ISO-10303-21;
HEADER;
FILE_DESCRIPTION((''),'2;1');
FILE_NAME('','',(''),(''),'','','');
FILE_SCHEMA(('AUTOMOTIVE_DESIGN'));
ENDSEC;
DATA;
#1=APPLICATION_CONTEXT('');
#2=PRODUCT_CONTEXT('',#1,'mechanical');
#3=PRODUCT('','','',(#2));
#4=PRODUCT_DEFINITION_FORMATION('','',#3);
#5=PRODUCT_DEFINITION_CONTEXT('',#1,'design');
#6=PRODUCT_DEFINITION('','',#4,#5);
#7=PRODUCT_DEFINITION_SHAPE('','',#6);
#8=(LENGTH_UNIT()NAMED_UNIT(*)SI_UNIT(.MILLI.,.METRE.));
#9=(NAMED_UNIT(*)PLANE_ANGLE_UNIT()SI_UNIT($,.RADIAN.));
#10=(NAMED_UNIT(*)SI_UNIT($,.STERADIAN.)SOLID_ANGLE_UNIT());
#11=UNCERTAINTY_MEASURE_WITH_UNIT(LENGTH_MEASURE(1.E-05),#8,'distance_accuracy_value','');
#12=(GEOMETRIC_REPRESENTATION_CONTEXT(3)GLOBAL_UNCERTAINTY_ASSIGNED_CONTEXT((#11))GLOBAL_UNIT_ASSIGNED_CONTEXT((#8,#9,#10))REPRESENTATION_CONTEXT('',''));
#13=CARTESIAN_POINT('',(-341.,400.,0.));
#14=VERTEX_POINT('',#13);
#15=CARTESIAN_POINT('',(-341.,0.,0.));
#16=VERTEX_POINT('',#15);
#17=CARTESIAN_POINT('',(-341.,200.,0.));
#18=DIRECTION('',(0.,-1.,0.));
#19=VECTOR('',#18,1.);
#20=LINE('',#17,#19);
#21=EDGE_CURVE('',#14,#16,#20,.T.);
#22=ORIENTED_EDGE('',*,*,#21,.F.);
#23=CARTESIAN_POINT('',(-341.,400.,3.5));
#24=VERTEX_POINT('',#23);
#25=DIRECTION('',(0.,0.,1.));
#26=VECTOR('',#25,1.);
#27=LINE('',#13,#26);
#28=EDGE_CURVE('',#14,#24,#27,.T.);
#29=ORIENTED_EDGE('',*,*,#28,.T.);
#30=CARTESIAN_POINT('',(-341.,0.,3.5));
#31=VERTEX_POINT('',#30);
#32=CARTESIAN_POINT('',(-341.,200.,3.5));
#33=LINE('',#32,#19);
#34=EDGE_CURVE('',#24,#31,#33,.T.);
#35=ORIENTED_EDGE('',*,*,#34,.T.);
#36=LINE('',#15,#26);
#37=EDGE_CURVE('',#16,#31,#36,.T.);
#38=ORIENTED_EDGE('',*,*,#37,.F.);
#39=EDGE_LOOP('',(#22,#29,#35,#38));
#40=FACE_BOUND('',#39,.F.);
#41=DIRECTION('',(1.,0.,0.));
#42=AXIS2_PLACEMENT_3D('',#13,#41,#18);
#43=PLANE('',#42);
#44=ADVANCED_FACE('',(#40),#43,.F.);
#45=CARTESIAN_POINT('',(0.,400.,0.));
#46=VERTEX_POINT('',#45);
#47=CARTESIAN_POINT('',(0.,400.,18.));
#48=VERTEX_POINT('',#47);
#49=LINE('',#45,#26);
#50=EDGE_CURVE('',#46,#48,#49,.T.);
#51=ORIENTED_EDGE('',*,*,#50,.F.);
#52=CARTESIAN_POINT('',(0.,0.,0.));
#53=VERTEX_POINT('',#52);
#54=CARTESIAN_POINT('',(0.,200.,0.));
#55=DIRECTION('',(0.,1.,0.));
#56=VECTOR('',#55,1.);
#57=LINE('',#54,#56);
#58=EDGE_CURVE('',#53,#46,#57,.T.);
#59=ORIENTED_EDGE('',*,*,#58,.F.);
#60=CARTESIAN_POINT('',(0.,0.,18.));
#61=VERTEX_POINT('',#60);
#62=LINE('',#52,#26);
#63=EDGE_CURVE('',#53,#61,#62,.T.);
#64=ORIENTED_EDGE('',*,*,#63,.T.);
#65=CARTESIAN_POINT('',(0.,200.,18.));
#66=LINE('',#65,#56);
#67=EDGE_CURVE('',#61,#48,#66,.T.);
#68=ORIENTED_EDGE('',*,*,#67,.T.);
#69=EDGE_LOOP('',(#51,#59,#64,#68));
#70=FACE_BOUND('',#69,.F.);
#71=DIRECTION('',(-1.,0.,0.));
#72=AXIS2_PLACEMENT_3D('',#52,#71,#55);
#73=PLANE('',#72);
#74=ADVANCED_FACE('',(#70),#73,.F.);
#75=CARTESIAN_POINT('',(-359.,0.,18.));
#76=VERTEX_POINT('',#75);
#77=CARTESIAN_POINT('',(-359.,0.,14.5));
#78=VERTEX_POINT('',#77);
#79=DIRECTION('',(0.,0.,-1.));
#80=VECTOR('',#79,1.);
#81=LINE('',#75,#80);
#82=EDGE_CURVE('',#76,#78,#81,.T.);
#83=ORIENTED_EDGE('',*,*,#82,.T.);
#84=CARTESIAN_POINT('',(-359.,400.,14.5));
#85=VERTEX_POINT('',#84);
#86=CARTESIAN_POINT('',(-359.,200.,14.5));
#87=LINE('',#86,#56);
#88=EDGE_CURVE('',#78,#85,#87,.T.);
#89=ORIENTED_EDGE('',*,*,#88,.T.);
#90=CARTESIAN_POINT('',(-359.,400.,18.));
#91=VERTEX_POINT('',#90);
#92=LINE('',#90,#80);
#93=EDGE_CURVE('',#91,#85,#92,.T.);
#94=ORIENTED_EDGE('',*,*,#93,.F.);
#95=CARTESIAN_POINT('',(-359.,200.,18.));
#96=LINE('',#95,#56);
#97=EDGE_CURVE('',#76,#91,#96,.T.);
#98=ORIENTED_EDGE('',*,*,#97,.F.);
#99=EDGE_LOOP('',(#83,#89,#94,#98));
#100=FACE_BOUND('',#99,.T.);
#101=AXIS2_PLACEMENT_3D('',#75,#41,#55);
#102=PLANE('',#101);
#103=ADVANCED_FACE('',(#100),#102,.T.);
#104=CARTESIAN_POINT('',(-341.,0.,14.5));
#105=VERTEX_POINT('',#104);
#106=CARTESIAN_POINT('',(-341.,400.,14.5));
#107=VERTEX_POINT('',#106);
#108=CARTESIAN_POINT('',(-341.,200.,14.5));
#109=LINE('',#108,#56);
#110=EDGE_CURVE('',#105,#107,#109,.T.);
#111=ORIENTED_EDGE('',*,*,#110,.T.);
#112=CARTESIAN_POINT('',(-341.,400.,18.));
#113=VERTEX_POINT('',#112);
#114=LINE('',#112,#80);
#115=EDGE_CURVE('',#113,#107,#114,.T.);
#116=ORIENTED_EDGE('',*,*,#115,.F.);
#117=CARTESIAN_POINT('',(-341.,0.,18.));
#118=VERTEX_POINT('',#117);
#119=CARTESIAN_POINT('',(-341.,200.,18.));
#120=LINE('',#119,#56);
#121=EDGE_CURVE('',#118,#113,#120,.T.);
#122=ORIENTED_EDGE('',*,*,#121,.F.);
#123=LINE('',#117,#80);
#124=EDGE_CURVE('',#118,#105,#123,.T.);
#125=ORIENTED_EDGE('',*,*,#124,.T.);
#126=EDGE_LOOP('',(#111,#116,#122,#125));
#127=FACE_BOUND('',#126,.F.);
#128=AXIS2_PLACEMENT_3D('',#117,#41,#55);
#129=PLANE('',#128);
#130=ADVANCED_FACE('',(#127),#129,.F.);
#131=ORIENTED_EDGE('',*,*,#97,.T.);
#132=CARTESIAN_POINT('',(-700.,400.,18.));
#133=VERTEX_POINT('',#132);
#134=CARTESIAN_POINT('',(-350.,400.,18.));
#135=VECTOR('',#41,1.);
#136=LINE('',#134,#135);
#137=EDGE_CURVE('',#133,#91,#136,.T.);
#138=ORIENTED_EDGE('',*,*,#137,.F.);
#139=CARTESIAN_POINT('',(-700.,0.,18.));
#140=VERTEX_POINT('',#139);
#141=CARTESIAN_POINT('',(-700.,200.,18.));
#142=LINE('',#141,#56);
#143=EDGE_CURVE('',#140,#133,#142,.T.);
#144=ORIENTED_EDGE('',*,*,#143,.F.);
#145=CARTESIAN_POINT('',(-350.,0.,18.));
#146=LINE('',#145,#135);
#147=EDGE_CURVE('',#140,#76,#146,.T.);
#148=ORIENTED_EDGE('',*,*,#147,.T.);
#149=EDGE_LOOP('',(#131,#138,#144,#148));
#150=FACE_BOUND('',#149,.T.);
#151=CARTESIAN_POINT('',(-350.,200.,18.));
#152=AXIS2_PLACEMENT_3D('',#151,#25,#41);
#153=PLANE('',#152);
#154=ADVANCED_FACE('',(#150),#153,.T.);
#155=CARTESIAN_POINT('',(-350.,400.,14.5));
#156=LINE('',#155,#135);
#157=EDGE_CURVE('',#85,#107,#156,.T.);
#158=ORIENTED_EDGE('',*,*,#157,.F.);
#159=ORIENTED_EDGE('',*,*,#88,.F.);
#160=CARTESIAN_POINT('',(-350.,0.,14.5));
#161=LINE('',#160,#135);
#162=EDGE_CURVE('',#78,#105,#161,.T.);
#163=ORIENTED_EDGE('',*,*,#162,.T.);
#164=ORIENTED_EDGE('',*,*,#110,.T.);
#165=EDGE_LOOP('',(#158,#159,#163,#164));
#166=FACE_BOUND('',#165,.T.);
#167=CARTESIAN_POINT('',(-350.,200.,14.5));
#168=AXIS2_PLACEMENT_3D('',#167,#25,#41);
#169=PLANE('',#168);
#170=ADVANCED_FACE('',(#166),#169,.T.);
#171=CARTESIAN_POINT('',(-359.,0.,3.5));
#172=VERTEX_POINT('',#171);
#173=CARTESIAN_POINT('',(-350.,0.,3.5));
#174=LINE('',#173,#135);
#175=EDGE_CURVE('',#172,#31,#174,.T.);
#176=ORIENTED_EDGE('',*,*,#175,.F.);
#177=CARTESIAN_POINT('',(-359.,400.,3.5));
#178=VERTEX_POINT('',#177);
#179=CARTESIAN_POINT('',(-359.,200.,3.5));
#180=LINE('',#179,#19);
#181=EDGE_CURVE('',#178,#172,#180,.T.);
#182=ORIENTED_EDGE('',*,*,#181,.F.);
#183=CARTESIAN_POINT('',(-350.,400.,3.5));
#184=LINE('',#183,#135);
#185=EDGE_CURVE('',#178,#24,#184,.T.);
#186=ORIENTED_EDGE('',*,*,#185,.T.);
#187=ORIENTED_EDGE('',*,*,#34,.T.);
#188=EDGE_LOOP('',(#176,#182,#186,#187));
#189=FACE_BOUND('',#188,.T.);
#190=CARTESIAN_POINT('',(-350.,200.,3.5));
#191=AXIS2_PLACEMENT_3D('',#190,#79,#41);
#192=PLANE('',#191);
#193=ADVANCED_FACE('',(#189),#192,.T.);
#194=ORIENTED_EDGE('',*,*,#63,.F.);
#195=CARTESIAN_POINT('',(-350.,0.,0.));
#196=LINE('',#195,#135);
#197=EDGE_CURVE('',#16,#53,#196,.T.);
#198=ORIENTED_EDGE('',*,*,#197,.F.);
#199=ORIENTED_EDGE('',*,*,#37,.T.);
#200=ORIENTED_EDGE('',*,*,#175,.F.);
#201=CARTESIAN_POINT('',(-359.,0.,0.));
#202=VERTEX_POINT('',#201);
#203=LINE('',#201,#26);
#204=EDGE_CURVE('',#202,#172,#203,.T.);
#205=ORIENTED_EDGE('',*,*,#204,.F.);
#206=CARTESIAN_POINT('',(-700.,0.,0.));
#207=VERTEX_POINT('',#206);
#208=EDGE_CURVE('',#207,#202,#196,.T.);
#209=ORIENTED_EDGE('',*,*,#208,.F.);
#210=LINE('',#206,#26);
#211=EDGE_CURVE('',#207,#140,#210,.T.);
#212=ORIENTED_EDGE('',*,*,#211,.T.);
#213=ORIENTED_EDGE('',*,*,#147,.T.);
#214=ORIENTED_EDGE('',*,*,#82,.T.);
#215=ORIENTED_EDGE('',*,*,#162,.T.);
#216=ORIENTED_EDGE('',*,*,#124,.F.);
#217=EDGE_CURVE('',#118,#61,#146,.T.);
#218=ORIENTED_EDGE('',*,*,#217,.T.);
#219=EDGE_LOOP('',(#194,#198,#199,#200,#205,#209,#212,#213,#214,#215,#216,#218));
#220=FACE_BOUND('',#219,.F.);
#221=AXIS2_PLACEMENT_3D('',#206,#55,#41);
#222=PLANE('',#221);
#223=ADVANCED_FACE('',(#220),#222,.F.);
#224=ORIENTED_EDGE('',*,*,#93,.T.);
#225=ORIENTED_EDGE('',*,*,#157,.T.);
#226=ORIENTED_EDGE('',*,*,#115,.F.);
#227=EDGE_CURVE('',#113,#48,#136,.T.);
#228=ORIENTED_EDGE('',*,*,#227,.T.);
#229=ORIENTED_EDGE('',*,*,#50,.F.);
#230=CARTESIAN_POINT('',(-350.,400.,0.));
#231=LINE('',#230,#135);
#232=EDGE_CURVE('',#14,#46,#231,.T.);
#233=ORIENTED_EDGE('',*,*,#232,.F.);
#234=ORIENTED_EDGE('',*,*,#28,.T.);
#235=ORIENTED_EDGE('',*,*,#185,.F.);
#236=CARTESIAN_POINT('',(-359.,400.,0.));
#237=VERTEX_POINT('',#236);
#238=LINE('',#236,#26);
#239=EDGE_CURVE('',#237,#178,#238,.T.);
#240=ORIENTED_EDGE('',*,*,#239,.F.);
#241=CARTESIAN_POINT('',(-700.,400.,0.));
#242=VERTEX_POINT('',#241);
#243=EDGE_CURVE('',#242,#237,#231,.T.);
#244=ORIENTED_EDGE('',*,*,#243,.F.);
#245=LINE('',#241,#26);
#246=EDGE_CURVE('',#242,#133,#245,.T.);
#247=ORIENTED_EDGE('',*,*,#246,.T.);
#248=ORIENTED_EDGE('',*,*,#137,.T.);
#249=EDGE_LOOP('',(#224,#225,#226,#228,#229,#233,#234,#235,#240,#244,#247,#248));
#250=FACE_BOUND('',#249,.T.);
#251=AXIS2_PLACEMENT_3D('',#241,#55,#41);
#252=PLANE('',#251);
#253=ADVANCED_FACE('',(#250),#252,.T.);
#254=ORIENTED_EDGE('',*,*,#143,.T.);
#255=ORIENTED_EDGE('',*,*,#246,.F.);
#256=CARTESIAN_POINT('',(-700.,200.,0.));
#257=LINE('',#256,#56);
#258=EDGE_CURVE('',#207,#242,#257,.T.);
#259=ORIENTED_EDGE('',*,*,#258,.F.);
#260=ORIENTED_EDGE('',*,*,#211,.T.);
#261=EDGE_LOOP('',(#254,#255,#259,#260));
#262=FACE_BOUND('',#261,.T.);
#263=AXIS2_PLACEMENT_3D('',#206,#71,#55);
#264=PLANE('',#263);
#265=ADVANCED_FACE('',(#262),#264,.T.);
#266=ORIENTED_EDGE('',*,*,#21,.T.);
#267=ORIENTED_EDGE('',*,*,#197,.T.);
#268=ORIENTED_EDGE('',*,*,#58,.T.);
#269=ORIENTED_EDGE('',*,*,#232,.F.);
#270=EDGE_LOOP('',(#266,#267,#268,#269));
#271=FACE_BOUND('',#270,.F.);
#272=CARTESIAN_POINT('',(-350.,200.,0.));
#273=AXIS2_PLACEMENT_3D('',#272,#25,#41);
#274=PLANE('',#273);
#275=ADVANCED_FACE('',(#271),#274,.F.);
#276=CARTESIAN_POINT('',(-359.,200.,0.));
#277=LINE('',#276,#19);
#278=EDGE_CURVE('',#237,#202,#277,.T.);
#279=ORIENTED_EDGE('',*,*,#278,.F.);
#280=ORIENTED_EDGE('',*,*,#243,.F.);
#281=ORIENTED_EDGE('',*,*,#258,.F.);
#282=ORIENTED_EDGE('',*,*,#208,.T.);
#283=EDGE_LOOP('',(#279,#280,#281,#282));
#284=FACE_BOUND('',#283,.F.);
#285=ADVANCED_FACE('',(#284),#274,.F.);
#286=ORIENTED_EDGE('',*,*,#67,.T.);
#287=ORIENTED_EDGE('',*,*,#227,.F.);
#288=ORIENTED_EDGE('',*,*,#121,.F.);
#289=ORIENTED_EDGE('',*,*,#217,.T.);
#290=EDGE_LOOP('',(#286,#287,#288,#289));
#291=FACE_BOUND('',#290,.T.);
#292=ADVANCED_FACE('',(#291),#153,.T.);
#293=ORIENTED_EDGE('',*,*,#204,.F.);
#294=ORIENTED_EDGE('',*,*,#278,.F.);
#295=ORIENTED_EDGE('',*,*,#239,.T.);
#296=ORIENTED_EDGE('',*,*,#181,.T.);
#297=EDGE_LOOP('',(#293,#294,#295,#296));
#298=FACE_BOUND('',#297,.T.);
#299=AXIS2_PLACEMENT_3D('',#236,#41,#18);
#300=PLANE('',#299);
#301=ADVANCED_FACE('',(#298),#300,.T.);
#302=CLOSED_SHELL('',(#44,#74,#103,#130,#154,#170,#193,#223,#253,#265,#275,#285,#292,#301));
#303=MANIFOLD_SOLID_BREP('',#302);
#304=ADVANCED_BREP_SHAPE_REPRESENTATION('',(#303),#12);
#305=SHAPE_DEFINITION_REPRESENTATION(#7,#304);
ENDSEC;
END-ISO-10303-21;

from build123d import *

# Parameters (mm, degrees)
SKETCH_W        = 700
SKETCH_H        = 400
PAD_DEPTH       = 18
PAD001_DEPTH    = 18
SKETCH001_W     = 18
SKETCH001_H     = 400
POCKET_DEPTH    = 3.5
SKETCH002_W     = 18
SKETCH002_H     = 400
POCKET001_DEPTH = 3.5


with BuildPart() as part:
    # Sketch → Pad (new body)
    with BuildSketch(Plane.XY):
        with Locations((-350, 200)):
            Rectangle(SKETCH_W, SKETCH_H)
    extrude(amount=PAD_DEPTH)

    # Sketch → Pad001 (join)
    with BuildSketch(Plane.XY):
        with Locations((-350, 200)):
            Rectangle(SKETCH_W, SKETCH_H)
    extrude(amount=PAD001_DEPTH)

    # Sketch001 (on Face5 of Pad001) → Pocket (cut)
    with BuildSketch(Plane.XY.offset(18)):
        with Locations((-350, 200)):
            Rectangle(SKETCH001_W, SKETCH001_H)
    extrude(amount=-POCKET_DEPTH, mode=Mode.SUBTRACT)

    # Sketch002 (on Face2 of Pocket) → Pocket001 (cut)
    with BuildSketch(Plane(origin=(0, 0, 0), x_dir=(1, 0, 0), z_dir=(0, 0, -1))):
        with Locations((-350, -200)):
            Rectangle(SKETCH002_W, SKETCH002_H)
    extrude(amount=-POCKET001_DEPTH, mode=Mode.SUBTRACT)


solid = part.part
